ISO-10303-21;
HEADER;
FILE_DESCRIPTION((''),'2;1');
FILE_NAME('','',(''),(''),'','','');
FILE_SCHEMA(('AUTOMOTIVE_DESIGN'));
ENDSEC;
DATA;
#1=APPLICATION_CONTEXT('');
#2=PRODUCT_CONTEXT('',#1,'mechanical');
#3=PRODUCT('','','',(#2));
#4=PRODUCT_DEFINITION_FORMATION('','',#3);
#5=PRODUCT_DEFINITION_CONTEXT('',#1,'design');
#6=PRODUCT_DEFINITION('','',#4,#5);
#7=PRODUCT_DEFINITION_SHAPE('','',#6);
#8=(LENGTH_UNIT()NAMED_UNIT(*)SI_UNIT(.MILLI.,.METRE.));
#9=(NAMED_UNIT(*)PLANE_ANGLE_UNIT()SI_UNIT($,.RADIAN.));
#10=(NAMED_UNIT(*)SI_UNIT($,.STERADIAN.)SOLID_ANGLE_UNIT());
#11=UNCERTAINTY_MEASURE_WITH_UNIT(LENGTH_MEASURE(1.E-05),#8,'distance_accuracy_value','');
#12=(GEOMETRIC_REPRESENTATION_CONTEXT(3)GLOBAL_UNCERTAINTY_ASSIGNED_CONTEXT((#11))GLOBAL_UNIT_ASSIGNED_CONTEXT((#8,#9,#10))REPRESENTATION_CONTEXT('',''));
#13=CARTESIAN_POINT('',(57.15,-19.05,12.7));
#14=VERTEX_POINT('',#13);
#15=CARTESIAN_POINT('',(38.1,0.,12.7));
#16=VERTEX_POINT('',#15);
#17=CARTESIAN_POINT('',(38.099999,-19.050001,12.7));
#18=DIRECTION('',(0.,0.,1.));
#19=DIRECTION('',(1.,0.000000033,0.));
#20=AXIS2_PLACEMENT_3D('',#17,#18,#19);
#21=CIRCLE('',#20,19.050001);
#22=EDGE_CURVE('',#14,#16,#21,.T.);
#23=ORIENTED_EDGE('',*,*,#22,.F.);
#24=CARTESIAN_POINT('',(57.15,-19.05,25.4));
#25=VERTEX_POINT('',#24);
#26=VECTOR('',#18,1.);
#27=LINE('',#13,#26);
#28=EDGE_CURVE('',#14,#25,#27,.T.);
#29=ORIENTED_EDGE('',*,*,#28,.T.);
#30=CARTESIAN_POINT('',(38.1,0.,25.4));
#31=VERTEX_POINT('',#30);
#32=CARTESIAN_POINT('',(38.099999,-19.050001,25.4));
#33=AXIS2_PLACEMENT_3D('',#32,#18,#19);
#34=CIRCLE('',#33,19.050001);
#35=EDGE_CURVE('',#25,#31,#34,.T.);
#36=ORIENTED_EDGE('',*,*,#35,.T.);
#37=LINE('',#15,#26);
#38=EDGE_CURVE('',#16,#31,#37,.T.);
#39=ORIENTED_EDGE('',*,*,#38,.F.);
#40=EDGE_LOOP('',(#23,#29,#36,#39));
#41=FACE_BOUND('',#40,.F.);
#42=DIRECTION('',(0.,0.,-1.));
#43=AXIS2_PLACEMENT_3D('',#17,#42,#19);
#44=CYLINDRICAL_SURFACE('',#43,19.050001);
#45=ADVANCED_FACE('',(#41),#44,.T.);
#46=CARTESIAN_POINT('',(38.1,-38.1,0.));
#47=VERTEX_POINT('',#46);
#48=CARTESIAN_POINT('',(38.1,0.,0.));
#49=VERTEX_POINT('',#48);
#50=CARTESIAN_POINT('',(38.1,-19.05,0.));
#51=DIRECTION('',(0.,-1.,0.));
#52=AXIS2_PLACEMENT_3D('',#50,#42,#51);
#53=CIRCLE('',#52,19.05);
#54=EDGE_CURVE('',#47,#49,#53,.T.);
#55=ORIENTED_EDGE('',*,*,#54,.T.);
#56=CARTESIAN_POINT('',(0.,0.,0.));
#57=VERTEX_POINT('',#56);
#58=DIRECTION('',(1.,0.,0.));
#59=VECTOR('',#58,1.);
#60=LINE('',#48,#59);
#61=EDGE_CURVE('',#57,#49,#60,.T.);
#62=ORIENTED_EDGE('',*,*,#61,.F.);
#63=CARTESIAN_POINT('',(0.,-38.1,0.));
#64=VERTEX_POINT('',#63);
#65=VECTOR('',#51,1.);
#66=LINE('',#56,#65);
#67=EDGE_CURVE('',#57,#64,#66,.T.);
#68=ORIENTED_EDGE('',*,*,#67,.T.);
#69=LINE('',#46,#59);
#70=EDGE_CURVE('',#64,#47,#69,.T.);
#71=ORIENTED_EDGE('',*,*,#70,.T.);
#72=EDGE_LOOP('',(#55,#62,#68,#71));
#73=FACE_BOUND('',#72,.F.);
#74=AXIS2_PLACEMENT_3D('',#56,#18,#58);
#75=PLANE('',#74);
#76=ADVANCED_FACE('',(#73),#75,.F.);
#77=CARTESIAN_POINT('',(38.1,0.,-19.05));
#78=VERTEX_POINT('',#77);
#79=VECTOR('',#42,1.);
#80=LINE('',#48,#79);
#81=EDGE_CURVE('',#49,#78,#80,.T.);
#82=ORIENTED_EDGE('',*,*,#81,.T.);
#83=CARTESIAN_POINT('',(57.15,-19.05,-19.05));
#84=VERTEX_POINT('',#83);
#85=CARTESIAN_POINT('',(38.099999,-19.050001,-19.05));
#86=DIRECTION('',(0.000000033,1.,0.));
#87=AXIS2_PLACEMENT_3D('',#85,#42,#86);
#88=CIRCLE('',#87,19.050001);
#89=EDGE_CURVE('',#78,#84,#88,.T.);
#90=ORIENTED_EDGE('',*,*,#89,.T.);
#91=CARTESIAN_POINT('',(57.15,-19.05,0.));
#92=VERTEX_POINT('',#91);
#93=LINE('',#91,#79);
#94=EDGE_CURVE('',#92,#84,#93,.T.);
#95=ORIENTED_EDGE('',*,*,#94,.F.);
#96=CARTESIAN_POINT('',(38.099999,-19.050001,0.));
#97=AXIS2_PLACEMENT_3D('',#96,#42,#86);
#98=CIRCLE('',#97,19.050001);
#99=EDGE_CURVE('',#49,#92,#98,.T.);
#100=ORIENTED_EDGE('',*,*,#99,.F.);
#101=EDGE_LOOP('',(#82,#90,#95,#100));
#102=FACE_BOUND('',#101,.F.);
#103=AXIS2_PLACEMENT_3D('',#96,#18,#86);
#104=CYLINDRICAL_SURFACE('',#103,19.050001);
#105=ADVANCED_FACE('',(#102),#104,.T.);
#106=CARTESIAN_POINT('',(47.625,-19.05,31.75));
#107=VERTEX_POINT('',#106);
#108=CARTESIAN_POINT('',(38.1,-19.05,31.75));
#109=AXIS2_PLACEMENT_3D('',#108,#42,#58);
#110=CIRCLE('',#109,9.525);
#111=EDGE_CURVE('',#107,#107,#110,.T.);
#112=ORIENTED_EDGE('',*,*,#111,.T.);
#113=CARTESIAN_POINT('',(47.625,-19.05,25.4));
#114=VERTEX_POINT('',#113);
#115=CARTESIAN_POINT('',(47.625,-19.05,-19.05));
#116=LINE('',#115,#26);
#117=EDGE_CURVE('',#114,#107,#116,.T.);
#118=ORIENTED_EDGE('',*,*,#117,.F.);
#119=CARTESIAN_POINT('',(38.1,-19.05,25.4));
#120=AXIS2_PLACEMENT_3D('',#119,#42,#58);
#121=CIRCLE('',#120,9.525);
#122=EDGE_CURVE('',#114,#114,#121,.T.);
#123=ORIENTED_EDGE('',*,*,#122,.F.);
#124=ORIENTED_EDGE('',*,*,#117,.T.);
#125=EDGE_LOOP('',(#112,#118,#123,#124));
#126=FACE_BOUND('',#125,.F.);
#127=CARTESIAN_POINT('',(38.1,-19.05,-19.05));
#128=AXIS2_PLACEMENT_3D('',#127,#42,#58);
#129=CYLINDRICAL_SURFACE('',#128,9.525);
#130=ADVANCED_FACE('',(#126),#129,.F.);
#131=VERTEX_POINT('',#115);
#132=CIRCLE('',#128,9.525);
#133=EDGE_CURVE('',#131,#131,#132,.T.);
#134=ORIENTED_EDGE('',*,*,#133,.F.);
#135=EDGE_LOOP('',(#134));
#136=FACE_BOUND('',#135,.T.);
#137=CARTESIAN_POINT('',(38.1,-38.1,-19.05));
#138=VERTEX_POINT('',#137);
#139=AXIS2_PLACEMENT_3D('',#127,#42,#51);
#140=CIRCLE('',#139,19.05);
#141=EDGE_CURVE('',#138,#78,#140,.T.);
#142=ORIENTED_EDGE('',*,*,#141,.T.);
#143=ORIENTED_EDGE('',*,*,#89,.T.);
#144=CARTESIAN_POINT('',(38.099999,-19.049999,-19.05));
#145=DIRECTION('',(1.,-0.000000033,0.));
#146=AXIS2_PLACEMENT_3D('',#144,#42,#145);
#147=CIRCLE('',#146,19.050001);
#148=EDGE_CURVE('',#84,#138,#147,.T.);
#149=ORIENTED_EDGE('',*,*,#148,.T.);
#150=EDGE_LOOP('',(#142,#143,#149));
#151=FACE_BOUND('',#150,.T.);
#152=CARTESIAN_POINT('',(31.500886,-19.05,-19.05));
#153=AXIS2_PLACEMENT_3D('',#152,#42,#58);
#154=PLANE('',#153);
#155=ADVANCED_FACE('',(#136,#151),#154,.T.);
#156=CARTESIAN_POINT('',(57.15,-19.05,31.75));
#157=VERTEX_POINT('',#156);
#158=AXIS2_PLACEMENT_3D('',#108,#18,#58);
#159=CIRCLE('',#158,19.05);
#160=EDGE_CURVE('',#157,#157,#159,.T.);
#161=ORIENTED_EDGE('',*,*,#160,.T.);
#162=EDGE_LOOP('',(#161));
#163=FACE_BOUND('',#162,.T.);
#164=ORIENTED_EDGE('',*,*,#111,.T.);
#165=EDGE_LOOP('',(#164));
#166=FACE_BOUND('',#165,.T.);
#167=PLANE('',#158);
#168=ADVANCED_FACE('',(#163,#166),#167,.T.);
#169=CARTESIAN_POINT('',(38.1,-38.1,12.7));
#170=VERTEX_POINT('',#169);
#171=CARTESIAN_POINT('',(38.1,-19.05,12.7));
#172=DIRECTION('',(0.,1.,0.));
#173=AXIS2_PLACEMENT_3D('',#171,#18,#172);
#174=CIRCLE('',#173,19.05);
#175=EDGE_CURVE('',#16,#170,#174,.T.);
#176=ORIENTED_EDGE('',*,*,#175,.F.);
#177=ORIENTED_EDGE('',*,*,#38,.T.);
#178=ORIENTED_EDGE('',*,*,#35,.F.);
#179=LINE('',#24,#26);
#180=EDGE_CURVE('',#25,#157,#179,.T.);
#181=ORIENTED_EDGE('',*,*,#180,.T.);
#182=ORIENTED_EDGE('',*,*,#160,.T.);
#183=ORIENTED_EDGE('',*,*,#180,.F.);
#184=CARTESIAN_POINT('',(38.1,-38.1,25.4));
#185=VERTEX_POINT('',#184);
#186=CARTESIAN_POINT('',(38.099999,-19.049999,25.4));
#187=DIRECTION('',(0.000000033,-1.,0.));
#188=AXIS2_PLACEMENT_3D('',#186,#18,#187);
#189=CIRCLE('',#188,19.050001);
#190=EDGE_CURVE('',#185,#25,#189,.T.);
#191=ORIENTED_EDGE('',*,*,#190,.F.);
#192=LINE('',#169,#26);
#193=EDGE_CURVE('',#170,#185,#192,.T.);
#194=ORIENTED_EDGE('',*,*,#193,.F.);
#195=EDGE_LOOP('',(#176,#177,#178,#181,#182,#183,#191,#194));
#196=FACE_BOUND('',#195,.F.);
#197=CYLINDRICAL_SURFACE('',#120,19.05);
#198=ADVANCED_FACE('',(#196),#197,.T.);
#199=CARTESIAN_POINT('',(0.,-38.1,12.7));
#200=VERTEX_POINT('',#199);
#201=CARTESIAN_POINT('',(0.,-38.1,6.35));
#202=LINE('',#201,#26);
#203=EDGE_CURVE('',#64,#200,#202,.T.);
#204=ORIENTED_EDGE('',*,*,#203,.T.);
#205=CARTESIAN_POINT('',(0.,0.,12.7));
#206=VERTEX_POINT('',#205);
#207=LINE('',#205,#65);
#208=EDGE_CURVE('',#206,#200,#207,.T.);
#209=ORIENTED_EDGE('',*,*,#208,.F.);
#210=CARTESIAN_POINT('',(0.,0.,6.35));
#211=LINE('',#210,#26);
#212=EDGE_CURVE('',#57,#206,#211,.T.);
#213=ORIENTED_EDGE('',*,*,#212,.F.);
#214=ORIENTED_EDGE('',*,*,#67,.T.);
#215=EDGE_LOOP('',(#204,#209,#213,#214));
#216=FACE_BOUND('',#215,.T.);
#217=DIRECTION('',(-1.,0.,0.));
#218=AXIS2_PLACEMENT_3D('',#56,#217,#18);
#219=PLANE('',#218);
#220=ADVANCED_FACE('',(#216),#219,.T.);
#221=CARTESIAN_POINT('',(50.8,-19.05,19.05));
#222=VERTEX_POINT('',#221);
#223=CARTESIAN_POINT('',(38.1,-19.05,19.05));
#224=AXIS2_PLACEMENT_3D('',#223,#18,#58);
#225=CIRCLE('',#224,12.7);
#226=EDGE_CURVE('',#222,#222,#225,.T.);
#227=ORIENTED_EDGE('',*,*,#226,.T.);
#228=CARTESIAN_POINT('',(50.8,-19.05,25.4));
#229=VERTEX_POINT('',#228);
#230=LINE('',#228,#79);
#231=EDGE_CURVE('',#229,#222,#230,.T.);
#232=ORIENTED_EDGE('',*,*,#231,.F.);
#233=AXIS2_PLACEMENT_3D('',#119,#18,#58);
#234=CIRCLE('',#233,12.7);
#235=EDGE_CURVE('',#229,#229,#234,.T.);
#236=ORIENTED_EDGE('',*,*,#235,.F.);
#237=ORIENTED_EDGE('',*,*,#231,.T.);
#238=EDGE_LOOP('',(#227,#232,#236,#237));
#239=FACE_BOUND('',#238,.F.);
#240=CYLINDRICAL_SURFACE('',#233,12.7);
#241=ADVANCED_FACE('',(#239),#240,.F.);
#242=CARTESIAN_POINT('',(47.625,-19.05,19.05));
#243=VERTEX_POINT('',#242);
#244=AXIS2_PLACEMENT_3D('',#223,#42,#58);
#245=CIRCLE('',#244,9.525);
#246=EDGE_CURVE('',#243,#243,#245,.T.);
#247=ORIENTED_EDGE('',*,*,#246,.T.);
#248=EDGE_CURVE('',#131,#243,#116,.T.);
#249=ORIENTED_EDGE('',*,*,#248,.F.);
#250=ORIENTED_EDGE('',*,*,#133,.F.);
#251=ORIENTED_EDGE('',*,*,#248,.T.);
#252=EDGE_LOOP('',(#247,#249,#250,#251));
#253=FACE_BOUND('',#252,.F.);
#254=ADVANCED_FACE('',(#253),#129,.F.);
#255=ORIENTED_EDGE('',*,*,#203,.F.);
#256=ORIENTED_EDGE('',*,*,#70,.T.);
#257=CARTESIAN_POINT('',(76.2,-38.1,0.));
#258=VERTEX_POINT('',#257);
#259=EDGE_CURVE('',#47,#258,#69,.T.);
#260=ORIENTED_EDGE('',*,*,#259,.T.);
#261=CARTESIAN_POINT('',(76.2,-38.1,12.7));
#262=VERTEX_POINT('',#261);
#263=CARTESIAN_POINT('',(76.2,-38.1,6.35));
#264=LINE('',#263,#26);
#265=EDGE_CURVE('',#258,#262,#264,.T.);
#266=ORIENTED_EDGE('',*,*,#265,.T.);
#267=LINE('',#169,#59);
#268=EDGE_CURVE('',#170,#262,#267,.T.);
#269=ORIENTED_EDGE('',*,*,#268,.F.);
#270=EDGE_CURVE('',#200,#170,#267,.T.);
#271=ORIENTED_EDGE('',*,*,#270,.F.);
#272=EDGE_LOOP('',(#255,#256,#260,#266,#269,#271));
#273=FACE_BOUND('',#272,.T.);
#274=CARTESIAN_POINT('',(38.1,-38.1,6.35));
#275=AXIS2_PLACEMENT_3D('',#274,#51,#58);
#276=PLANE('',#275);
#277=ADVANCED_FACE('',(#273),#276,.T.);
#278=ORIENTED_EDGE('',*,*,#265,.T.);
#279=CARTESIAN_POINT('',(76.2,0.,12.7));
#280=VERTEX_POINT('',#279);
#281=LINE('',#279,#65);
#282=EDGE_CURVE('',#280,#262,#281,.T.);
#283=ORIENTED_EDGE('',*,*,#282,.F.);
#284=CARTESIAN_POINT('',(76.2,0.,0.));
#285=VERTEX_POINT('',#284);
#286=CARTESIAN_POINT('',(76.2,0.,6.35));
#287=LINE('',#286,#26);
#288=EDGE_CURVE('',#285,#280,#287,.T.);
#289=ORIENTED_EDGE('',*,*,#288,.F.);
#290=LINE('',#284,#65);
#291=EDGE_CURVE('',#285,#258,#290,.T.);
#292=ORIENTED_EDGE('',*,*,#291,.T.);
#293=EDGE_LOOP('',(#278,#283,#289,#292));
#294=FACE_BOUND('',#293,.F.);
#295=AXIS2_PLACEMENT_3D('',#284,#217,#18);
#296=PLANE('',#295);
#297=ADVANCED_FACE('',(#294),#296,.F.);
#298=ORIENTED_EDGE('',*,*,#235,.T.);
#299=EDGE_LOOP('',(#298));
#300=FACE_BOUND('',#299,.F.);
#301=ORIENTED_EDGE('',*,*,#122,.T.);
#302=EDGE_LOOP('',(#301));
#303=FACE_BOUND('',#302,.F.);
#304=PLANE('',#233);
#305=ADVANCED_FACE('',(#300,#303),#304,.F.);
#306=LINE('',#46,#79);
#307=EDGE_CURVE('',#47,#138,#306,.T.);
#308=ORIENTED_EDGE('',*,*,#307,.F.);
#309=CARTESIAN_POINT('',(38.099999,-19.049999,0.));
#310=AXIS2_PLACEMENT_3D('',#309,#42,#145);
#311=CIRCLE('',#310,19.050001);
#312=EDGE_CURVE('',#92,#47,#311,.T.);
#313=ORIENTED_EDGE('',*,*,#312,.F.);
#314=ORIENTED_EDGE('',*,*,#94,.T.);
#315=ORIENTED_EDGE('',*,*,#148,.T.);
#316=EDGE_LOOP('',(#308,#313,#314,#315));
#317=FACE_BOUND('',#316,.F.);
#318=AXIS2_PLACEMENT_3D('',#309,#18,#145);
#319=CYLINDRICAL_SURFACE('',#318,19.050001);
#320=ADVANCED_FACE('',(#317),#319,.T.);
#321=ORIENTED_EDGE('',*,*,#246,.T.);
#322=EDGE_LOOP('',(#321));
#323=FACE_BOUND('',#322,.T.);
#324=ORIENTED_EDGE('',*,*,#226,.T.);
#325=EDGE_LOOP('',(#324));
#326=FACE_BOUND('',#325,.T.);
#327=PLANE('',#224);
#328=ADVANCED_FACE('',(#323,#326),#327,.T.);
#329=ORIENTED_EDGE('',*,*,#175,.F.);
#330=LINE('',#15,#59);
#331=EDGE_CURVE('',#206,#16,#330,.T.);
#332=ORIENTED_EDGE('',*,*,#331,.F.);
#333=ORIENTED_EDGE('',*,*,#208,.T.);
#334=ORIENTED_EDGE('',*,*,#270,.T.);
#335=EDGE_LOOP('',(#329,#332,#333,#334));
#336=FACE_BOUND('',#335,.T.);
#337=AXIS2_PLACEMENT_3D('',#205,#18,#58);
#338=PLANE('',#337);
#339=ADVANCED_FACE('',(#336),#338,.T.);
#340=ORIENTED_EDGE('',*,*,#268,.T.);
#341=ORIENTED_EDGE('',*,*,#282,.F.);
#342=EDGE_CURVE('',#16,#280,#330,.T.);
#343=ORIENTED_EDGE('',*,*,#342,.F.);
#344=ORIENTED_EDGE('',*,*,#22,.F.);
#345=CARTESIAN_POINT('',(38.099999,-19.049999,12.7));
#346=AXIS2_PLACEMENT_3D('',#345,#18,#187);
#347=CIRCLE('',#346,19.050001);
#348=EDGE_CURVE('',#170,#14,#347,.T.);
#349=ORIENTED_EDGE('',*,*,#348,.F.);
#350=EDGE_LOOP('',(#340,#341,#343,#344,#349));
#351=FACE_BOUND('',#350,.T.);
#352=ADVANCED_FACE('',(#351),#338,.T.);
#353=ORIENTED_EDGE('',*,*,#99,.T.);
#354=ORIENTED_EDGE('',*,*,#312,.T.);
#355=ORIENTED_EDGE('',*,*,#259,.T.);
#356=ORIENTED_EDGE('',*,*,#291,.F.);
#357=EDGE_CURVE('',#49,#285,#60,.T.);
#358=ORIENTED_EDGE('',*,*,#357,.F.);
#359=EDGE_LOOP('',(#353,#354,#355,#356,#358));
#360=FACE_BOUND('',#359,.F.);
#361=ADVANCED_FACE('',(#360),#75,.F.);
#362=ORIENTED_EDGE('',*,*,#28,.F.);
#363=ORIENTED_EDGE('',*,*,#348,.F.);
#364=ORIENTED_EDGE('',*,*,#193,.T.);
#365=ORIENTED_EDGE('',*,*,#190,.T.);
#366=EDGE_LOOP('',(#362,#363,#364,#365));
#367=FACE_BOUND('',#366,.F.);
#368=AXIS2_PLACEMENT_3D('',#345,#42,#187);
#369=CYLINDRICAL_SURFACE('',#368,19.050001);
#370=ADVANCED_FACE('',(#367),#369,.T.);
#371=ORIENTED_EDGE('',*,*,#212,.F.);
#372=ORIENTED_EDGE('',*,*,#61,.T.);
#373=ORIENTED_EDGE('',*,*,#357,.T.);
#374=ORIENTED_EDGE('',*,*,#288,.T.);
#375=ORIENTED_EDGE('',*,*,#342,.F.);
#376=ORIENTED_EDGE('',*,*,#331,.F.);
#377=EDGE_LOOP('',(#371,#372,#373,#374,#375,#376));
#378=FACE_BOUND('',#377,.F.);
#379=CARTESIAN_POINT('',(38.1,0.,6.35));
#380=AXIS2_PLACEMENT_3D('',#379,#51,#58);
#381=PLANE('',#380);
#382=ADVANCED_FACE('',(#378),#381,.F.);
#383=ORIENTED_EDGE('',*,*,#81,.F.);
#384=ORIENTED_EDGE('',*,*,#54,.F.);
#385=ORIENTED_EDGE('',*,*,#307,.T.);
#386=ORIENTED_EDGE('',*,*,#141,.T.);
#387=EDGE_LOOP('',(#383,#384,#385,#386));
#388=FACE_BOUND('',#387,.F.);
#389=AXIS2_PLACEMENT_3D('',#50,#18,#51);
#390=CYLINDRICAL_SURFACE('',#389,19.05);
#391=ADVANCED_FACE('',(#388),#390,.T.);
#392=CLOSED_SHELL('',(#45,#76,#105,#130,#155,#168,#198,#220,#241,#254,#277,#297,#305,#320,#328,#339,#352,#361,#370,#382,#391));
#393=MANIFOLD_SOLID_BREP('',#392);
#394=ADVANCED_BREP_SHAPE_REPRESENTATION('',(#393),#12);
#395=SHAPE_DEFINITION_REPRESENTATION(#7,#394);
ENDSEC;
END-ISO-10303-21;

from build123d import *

# Parameters (mm, degrees)
F0_W      = 76.2
F0_H      = 12.7
F1_DEPTH  = 38.1
F3_DEPTH  = 12.7
F4_R      = 12.7
F5_DEPTH  = 6.35
F6_R      = 19.05
F7_DEPTH  = 6.35
F9_DEPTH  = 19.05
F10_R     = 9.525
F11_DEPTH = 152.4


with BuildPart() as f1:
    # F0 (on Front) → F1 (new body)
    with BuildSketch(Plane.XZ):
        with Locations((38.1, 6.35)):
            Rectangle(F0_W, F0_H)
    extrude(amount=F1_DEPTH)

    # F2 (on face) → F3 (join)
    with BuildSketch(Plane.XY.offset(12.7)):
        with BuildLine():
            ThreePointArc((57.15, -19.05), (51.570384, -5.579616), (38.1, 0))
            Line((38.1, 0), (38.1, -38.1))
            ThreePointArc((38.1, -38.1), (51.570384, -32.520384), (57.15, -19.05))
        make_face()
        with BuildLine():
            Line((38.1, -38.1), (38.1, 0))
            ThreePointArc((38.1, 0), (19.05, -19.05), (38.1, -38.1))
        make_face()
    extrude(amount=F3_DEPTH)

    # F4 (on face) → F5 (cut)
    with BuildSketch(Plane.XY.offset(25.4)):
        with Locations((38.1, -19.05)):
            Circle(F4_R)
    extrude(amount=-F5_DEPTH, mode=Mode.SUBTRACT)

    # F6 (on face) → F7 (join)
    with BuildSketch(Plane.XY.offset(25.4)):
        with Locations((38.1, -19.05)):
            Circle(F6_R)
    extrude(amount=F7_DEPTH)

    # F8 (on face) → F9 (join)
    with BuildSketch(Plane(origin=(0, 0, 0), x_dir=(1, 0, 0), z_dir=(0, 0, -1))):
        with BuildLine():
            ThreePointArc((38.1, 38.1), (19.05, 19.05), (38.1, 0))
            Line((38.1, 0), (38.1, 38.1))
        make_face()
        with BuildLine():
            Line((38.1, 38.1), (38.1, 0))
            ThreePointArc((38.1, 0), (51.570384, 5.579616), (57.15, 19.05))
            ThreePointArc((57.15, 19.05), (51.570384, 32.520384), (38.1, 38.1))
        make_face()
    extrude(amount=F9_DEPTH)

    # F10 (on face) → F11 (cut)
    with BuildSketch(Plane(origin=(0, 0, -19.05), x_dir=(1, 0, 0), z_dir=(0, 0, -1))):
        with Locations((38.1, 19.05)):
            Circle(F10_R)
    extrude(amount=-F11_DEPTH, mode=Mode.SUBTRACT)


solid = f1.part
